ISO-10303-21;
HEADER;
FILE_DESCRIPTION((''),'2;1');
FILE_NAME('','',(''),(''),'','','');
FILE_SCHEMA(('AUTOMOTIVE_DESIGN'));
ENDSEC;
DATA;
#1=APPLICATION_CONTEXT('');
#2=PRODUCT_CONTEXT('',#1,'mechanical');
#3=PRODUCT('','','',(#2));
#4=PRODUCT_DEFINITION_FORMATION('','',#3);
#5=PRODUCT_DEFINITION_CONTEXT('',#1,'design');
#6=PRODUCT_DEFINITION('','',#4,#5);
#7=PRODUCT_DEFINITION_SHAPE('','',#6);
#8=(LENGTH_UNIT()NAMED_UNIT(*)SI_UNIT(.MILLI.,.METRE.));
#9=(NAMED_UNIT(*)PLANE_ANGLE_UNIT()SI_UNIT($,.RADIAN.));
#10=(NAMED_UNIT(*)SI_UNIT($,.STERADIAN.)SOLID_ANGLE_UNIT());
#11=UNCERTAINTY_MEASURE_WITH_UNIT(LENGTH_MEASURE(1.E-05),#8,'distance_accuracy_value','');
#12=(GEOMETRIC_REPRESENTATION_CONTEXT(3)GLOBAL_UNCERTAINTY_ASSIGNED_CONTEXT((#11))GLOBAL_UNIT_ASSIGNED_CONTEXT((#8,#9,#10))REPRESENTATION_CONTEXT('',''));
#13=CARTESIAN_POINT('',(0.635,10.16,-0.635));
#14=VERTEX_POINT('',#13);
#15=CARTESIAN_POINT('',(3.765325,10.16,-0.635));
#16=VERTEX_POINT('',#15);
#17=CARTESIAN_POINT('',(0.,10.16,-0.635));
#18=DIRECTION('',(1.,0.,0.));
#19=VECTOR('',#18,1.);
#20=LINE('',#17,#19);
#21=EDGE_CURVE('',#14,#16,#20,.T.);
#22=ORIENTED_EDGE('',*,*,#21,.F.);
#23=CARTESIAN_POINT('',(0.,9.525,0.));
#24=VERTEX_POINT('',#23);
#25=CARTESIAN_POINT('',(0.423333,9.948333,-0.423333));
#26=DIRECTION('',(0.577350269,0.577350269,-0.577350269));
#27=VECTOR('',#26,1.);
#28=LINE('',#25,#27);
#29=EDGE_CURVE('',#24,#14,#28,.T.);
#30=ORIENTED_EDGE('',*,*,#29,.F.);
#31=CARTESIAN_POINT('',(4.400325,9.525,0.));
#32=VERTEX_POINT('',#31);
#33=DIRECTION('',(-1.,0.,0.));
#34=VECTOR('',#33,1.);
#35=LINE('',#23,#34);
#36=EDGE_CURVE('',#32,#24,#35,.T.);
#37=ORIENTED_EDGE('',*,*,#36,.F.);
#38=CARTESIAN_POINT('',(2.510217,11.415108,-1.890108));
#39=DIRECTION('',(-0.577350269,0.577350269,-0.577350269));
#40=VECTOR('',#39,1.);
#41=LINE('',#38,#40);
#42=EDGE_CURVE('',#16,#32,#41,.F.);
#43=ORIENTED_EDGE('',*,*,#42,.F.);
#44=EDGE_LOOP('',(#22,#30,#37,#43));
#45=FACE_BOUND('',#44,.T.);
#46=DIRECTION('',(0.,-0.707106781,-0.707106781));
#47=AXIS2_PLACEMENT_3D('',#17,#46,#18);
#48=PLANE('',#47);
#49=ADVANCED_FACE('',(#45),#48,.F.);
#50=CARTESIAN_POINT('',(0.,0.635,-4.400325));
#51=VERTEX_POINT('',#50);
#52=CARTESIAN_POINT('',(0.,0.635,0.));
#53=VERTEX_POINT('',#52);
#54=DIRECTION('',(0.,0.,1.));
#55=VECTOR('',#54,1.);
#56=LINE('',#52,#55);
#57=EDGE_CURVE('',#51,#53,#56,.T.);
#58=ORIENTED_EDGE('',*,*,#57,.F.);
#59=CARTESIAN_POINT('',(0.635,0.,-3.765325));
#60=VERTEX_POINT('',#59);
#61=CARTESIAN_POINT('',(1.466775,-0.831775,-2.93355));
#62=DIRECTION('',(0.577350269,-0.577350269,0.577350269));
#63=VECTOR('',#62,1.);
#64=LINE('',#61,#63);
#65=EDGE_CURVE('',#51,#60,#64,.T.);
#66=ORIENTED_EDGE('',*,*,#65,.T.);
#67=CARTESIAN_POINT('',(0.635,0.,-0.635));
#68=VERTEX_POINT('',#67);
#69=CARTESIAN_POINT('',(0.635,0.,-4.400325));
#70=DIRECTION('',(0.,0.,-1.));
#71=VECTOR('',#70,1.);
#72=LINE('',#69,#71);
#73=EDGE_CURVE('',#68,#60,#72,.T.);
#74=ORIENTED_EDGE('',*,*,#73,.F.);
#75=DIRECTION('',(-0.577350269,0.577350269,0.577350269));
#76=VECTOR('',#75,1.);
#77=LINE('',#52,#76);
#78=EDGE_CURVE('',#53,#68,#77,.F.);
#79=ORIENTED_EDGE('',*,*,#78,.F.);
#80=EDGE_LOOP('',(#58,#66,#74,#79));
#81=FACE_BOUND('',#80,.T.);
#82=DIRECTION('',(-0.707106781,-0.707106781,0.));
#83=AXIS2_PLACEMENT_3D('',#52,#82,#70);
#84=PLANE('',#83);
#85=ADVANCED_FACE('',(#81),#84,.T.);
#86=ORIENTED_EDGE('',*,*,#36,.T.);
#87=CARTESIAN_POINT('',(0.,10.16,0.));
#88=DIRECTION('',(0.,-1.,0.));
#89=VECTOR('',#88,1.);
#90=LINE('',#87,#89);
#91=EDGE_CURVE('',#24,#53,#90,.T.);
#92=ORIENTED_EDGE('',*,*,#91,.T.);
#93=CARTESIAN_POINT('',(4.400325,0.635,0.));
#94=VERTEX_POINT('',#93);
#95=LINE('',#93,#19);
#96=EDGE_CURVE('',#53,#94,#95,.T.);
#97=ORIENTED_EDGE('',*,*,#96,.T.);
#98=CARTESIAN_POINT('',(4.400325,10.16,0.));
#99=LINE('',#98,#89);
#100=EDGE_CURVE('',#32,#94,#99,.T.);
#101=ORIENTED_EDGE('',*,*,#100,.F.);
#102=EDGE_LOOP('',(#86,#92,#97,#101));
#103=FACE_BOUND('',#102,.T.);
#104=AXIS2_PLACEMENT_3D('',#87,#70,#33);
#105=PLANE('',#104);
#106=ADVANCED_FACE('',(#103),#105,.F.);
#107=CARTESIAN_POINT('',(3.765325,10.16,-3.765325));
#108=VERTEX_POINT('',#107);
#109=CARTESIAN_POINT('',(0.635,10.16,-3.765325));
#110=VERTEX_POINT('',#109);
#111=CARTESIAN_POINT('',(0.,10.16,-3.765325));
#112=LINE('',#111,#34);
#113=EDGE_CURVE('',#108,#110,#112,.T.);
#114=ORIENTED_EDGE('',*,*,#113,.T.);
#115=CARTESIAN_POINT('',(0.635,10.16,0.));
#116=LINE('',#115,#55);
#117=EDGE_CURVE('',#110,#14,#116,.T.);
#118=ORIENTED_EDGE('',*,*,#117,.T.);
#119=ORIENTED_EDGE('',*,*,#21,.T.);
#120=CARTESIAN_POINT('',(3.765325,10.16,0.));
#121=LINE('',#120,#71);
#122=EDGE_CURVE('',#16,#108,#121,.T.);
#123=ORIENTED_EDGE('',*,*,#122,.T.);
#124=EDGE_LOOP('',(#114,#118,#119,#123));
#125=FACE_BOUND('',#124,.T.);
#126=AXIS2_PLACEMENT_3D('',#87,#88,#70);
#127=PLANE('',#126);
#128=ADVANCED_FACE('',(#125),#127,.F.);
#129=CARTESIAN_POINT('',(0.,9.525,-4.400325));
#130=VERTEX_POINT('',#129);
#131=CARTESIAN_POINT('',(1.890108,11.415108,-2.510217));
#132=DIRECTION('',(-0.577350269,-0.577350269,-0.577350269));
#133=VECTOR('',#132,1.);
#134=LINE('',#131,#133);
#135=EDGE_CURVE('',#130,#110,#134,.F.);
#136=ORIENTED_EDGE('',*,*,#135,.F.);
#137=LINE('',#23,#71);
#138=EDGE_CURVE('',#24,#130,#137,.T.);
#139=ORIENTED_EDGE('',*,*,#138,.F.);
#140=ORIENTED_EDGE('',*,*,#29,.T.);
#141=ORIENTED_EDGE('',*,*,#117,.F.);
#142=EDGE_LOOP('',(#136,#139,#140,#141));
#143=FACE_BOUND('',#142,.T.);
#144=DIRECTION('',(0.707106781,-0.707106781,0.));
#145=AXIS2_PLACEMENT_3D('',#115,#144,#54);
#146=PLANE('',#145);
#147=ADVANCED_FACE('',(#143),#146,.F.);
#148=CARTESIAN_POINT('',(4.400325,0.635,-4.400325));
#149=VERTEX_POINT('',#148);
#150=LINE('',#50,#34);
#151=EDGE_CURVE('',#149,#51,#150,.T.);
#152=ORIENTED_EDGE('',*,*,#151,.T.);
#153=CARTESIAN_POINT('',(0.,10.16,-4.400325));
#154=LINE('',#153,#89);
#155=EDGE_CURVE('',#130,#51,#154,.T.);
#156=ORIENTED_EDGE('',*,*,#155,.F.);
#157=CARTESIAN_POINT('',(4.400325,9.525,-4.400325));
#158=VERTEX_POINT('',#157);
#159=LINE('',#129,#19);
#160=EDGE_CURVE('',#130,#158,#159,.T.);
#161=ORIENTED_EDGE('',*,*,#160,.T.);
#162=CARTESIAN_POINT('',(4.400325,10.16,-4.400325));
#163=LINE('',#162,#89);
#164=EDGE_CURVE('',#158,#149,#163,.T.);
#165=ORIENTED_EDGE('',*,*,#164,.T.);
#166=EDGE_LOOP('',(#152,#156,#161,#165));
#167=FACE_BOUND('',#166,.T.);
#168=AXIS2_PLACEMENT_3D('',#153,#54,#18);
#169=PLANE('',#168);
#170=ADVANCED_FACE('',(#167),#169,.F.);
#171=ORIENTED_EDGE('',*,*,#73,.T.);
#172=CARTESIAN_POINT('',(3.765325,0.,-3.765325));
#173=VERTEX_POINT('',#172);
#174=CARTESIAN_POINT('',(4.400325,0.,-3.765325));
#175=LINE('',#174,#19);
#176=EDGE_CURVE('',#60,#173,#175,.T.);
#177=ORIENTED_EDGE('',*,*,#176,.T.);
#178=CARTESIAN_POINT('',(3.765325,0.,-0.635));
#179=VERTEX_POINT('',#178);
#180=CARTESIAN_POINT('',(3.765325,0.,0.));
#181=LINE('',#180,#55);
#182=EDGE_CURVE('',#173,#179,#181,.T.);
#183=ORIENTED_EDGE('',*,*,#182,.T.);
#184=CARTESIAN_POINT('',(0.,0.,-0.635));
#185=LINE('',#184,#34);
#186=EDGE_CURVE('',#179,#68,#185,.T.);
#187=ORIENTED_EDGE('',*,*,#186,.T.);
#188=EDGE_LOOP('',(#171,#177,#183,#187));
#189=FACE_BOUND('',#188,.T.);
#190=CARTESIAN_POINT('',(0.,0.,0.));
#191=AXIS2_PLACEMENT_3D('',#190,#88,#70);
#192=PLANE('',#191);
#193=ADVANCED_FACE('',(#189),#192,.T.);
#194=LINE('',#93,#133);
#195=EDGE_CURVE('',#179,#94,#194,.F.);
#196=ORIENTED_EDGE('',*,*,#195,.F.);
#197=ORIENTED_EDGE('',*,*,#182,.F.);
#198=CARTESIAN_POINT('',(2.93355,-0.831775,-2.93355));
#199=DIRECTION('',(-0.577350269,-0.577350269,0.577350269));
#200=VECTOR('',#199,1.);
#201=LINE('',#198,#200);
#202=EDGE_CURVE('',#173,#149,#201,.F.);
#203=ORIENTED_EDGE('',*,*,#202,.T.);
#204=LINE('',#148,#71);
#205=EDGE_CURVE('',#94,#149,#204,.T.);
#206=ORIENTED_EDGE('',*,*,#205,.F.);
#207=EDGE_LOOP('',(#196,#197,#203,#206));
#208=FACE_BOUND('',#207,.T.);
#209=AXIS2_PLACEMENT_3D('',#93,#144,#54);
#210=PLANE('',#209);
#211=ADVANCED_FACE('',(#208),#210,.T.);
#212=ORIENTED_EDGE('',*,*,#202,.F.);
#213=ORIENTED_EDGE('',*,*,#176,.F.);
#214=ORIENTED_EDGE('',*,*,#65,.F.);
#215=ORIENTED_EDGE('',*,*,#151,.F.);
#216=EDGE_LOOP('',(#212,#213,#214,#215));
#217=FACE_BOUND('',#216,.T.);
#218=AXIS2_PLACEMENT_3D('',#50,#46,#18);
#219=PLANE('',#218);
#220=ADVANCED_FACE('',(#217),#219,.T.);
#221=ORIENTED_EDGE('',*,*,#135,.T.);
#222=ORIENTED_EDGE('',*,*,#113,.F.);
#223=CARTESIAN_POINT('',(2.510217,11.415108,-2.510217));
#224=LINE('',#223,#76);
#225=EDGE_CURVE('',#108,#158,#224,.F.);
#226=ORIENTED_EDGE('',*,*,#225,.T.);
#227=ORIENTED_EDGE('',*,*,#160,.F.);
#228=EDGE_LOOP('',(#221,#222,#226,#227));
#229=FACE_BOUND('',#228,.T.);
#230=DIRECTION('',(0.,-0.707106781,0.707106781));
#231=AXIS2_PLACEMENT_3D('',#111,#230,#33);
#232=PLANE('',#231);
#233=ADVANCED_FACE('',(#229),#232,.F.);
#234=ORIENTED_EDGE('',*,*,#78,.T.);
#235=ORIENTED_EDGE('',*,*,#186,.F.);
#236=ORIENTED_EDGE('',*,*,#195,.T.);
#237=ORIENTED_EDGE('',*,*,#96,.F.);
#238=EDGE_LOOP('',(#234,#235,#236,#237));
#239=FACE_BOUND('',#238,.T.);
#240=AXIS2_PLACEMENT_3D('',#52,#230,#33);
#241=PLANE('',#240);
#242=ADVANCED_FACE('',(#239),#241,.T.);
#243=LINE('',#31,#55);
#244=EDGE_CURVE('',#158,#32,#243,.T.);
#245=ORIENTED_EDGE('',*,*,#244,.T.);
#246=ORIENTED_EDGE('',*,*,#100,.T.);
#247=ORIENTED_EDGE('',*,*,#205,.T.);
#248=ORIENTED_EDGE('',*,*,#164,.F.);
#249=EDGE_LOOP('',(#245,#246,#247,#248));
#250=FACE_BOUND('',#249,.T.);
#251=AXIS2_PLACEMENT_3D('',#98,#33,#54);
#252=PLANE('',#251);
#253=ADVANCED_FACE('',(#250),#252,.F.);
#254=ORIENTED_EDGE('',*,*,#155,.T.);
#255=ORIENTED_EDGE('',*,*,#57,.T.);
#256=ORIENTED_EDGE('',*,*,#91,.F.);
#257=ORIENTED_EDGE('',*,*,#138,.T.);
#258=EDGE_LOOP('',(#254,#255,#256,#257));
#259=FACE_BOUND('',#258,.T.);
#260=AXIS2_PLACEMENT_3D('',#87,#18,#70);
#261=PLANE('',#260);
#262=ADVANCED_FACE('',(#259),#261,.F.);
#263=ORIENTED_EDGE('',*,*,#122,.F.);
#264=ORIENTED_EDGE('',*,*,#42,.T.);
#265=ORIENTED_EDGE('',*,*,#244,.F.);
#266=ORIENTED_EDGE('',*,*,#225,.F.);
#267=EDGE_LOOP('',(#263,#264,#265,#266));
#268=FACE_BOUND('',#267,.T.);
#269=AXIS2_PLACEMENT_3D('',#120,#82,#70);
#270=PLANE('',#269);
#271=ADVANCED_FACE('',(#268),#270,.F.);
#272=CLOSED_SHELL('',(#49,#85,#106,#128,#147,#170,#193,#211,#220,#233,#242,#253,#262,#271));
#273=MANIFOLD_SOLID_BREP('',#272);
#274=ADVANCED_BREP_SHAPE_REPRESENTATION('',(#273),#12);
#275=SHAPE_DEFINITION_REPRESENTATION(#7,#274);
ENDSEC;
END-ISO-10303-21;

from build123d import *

# Parameters (mm, degrees)
SKETCH1_W           = 4.400325499
SKETCH1_H           = 4.400325499
BOSS_EXTRUDE1_DEPTH = 10.16
CHAMFER1_SIZE       = 0.635


with BuildPart() as part:
    # Sketch1 → Boss-Extrude1 (new body)
    with BuildSketch(Plane(origin=(0, 0, 0), x_dir=(1, 0, 0), z_dir=(0, 1, 0))):
        with Locations((2.20016275, 2.20016275)):
            Rectangle(SKETCH1_W, SKETCH1_H)
    extrude(amount=BOSS_EXTRUDE1_DEPTH)

    # Chamfer1
    chamfer1_edges = [part.edges().sort_by_distance(p)[0] for p in [
        (4.400325499, 10.16, -2.20016275),
        (2.20016275, 10.16, -4.400325499),
        (0, 10.16, -2.20016275),
        (2.20016275, 0, -4.400325499),
        (4.400325499, 0, -2.20016275),
        (2.20016275, 0, 0),
        (0, 0, -2.20016275),
        (2.20016275, 10.16, 0),
    ]]
    chamfer(chamfer1_edges, length=CHAMFER1_SIZE)


solid = part.part
